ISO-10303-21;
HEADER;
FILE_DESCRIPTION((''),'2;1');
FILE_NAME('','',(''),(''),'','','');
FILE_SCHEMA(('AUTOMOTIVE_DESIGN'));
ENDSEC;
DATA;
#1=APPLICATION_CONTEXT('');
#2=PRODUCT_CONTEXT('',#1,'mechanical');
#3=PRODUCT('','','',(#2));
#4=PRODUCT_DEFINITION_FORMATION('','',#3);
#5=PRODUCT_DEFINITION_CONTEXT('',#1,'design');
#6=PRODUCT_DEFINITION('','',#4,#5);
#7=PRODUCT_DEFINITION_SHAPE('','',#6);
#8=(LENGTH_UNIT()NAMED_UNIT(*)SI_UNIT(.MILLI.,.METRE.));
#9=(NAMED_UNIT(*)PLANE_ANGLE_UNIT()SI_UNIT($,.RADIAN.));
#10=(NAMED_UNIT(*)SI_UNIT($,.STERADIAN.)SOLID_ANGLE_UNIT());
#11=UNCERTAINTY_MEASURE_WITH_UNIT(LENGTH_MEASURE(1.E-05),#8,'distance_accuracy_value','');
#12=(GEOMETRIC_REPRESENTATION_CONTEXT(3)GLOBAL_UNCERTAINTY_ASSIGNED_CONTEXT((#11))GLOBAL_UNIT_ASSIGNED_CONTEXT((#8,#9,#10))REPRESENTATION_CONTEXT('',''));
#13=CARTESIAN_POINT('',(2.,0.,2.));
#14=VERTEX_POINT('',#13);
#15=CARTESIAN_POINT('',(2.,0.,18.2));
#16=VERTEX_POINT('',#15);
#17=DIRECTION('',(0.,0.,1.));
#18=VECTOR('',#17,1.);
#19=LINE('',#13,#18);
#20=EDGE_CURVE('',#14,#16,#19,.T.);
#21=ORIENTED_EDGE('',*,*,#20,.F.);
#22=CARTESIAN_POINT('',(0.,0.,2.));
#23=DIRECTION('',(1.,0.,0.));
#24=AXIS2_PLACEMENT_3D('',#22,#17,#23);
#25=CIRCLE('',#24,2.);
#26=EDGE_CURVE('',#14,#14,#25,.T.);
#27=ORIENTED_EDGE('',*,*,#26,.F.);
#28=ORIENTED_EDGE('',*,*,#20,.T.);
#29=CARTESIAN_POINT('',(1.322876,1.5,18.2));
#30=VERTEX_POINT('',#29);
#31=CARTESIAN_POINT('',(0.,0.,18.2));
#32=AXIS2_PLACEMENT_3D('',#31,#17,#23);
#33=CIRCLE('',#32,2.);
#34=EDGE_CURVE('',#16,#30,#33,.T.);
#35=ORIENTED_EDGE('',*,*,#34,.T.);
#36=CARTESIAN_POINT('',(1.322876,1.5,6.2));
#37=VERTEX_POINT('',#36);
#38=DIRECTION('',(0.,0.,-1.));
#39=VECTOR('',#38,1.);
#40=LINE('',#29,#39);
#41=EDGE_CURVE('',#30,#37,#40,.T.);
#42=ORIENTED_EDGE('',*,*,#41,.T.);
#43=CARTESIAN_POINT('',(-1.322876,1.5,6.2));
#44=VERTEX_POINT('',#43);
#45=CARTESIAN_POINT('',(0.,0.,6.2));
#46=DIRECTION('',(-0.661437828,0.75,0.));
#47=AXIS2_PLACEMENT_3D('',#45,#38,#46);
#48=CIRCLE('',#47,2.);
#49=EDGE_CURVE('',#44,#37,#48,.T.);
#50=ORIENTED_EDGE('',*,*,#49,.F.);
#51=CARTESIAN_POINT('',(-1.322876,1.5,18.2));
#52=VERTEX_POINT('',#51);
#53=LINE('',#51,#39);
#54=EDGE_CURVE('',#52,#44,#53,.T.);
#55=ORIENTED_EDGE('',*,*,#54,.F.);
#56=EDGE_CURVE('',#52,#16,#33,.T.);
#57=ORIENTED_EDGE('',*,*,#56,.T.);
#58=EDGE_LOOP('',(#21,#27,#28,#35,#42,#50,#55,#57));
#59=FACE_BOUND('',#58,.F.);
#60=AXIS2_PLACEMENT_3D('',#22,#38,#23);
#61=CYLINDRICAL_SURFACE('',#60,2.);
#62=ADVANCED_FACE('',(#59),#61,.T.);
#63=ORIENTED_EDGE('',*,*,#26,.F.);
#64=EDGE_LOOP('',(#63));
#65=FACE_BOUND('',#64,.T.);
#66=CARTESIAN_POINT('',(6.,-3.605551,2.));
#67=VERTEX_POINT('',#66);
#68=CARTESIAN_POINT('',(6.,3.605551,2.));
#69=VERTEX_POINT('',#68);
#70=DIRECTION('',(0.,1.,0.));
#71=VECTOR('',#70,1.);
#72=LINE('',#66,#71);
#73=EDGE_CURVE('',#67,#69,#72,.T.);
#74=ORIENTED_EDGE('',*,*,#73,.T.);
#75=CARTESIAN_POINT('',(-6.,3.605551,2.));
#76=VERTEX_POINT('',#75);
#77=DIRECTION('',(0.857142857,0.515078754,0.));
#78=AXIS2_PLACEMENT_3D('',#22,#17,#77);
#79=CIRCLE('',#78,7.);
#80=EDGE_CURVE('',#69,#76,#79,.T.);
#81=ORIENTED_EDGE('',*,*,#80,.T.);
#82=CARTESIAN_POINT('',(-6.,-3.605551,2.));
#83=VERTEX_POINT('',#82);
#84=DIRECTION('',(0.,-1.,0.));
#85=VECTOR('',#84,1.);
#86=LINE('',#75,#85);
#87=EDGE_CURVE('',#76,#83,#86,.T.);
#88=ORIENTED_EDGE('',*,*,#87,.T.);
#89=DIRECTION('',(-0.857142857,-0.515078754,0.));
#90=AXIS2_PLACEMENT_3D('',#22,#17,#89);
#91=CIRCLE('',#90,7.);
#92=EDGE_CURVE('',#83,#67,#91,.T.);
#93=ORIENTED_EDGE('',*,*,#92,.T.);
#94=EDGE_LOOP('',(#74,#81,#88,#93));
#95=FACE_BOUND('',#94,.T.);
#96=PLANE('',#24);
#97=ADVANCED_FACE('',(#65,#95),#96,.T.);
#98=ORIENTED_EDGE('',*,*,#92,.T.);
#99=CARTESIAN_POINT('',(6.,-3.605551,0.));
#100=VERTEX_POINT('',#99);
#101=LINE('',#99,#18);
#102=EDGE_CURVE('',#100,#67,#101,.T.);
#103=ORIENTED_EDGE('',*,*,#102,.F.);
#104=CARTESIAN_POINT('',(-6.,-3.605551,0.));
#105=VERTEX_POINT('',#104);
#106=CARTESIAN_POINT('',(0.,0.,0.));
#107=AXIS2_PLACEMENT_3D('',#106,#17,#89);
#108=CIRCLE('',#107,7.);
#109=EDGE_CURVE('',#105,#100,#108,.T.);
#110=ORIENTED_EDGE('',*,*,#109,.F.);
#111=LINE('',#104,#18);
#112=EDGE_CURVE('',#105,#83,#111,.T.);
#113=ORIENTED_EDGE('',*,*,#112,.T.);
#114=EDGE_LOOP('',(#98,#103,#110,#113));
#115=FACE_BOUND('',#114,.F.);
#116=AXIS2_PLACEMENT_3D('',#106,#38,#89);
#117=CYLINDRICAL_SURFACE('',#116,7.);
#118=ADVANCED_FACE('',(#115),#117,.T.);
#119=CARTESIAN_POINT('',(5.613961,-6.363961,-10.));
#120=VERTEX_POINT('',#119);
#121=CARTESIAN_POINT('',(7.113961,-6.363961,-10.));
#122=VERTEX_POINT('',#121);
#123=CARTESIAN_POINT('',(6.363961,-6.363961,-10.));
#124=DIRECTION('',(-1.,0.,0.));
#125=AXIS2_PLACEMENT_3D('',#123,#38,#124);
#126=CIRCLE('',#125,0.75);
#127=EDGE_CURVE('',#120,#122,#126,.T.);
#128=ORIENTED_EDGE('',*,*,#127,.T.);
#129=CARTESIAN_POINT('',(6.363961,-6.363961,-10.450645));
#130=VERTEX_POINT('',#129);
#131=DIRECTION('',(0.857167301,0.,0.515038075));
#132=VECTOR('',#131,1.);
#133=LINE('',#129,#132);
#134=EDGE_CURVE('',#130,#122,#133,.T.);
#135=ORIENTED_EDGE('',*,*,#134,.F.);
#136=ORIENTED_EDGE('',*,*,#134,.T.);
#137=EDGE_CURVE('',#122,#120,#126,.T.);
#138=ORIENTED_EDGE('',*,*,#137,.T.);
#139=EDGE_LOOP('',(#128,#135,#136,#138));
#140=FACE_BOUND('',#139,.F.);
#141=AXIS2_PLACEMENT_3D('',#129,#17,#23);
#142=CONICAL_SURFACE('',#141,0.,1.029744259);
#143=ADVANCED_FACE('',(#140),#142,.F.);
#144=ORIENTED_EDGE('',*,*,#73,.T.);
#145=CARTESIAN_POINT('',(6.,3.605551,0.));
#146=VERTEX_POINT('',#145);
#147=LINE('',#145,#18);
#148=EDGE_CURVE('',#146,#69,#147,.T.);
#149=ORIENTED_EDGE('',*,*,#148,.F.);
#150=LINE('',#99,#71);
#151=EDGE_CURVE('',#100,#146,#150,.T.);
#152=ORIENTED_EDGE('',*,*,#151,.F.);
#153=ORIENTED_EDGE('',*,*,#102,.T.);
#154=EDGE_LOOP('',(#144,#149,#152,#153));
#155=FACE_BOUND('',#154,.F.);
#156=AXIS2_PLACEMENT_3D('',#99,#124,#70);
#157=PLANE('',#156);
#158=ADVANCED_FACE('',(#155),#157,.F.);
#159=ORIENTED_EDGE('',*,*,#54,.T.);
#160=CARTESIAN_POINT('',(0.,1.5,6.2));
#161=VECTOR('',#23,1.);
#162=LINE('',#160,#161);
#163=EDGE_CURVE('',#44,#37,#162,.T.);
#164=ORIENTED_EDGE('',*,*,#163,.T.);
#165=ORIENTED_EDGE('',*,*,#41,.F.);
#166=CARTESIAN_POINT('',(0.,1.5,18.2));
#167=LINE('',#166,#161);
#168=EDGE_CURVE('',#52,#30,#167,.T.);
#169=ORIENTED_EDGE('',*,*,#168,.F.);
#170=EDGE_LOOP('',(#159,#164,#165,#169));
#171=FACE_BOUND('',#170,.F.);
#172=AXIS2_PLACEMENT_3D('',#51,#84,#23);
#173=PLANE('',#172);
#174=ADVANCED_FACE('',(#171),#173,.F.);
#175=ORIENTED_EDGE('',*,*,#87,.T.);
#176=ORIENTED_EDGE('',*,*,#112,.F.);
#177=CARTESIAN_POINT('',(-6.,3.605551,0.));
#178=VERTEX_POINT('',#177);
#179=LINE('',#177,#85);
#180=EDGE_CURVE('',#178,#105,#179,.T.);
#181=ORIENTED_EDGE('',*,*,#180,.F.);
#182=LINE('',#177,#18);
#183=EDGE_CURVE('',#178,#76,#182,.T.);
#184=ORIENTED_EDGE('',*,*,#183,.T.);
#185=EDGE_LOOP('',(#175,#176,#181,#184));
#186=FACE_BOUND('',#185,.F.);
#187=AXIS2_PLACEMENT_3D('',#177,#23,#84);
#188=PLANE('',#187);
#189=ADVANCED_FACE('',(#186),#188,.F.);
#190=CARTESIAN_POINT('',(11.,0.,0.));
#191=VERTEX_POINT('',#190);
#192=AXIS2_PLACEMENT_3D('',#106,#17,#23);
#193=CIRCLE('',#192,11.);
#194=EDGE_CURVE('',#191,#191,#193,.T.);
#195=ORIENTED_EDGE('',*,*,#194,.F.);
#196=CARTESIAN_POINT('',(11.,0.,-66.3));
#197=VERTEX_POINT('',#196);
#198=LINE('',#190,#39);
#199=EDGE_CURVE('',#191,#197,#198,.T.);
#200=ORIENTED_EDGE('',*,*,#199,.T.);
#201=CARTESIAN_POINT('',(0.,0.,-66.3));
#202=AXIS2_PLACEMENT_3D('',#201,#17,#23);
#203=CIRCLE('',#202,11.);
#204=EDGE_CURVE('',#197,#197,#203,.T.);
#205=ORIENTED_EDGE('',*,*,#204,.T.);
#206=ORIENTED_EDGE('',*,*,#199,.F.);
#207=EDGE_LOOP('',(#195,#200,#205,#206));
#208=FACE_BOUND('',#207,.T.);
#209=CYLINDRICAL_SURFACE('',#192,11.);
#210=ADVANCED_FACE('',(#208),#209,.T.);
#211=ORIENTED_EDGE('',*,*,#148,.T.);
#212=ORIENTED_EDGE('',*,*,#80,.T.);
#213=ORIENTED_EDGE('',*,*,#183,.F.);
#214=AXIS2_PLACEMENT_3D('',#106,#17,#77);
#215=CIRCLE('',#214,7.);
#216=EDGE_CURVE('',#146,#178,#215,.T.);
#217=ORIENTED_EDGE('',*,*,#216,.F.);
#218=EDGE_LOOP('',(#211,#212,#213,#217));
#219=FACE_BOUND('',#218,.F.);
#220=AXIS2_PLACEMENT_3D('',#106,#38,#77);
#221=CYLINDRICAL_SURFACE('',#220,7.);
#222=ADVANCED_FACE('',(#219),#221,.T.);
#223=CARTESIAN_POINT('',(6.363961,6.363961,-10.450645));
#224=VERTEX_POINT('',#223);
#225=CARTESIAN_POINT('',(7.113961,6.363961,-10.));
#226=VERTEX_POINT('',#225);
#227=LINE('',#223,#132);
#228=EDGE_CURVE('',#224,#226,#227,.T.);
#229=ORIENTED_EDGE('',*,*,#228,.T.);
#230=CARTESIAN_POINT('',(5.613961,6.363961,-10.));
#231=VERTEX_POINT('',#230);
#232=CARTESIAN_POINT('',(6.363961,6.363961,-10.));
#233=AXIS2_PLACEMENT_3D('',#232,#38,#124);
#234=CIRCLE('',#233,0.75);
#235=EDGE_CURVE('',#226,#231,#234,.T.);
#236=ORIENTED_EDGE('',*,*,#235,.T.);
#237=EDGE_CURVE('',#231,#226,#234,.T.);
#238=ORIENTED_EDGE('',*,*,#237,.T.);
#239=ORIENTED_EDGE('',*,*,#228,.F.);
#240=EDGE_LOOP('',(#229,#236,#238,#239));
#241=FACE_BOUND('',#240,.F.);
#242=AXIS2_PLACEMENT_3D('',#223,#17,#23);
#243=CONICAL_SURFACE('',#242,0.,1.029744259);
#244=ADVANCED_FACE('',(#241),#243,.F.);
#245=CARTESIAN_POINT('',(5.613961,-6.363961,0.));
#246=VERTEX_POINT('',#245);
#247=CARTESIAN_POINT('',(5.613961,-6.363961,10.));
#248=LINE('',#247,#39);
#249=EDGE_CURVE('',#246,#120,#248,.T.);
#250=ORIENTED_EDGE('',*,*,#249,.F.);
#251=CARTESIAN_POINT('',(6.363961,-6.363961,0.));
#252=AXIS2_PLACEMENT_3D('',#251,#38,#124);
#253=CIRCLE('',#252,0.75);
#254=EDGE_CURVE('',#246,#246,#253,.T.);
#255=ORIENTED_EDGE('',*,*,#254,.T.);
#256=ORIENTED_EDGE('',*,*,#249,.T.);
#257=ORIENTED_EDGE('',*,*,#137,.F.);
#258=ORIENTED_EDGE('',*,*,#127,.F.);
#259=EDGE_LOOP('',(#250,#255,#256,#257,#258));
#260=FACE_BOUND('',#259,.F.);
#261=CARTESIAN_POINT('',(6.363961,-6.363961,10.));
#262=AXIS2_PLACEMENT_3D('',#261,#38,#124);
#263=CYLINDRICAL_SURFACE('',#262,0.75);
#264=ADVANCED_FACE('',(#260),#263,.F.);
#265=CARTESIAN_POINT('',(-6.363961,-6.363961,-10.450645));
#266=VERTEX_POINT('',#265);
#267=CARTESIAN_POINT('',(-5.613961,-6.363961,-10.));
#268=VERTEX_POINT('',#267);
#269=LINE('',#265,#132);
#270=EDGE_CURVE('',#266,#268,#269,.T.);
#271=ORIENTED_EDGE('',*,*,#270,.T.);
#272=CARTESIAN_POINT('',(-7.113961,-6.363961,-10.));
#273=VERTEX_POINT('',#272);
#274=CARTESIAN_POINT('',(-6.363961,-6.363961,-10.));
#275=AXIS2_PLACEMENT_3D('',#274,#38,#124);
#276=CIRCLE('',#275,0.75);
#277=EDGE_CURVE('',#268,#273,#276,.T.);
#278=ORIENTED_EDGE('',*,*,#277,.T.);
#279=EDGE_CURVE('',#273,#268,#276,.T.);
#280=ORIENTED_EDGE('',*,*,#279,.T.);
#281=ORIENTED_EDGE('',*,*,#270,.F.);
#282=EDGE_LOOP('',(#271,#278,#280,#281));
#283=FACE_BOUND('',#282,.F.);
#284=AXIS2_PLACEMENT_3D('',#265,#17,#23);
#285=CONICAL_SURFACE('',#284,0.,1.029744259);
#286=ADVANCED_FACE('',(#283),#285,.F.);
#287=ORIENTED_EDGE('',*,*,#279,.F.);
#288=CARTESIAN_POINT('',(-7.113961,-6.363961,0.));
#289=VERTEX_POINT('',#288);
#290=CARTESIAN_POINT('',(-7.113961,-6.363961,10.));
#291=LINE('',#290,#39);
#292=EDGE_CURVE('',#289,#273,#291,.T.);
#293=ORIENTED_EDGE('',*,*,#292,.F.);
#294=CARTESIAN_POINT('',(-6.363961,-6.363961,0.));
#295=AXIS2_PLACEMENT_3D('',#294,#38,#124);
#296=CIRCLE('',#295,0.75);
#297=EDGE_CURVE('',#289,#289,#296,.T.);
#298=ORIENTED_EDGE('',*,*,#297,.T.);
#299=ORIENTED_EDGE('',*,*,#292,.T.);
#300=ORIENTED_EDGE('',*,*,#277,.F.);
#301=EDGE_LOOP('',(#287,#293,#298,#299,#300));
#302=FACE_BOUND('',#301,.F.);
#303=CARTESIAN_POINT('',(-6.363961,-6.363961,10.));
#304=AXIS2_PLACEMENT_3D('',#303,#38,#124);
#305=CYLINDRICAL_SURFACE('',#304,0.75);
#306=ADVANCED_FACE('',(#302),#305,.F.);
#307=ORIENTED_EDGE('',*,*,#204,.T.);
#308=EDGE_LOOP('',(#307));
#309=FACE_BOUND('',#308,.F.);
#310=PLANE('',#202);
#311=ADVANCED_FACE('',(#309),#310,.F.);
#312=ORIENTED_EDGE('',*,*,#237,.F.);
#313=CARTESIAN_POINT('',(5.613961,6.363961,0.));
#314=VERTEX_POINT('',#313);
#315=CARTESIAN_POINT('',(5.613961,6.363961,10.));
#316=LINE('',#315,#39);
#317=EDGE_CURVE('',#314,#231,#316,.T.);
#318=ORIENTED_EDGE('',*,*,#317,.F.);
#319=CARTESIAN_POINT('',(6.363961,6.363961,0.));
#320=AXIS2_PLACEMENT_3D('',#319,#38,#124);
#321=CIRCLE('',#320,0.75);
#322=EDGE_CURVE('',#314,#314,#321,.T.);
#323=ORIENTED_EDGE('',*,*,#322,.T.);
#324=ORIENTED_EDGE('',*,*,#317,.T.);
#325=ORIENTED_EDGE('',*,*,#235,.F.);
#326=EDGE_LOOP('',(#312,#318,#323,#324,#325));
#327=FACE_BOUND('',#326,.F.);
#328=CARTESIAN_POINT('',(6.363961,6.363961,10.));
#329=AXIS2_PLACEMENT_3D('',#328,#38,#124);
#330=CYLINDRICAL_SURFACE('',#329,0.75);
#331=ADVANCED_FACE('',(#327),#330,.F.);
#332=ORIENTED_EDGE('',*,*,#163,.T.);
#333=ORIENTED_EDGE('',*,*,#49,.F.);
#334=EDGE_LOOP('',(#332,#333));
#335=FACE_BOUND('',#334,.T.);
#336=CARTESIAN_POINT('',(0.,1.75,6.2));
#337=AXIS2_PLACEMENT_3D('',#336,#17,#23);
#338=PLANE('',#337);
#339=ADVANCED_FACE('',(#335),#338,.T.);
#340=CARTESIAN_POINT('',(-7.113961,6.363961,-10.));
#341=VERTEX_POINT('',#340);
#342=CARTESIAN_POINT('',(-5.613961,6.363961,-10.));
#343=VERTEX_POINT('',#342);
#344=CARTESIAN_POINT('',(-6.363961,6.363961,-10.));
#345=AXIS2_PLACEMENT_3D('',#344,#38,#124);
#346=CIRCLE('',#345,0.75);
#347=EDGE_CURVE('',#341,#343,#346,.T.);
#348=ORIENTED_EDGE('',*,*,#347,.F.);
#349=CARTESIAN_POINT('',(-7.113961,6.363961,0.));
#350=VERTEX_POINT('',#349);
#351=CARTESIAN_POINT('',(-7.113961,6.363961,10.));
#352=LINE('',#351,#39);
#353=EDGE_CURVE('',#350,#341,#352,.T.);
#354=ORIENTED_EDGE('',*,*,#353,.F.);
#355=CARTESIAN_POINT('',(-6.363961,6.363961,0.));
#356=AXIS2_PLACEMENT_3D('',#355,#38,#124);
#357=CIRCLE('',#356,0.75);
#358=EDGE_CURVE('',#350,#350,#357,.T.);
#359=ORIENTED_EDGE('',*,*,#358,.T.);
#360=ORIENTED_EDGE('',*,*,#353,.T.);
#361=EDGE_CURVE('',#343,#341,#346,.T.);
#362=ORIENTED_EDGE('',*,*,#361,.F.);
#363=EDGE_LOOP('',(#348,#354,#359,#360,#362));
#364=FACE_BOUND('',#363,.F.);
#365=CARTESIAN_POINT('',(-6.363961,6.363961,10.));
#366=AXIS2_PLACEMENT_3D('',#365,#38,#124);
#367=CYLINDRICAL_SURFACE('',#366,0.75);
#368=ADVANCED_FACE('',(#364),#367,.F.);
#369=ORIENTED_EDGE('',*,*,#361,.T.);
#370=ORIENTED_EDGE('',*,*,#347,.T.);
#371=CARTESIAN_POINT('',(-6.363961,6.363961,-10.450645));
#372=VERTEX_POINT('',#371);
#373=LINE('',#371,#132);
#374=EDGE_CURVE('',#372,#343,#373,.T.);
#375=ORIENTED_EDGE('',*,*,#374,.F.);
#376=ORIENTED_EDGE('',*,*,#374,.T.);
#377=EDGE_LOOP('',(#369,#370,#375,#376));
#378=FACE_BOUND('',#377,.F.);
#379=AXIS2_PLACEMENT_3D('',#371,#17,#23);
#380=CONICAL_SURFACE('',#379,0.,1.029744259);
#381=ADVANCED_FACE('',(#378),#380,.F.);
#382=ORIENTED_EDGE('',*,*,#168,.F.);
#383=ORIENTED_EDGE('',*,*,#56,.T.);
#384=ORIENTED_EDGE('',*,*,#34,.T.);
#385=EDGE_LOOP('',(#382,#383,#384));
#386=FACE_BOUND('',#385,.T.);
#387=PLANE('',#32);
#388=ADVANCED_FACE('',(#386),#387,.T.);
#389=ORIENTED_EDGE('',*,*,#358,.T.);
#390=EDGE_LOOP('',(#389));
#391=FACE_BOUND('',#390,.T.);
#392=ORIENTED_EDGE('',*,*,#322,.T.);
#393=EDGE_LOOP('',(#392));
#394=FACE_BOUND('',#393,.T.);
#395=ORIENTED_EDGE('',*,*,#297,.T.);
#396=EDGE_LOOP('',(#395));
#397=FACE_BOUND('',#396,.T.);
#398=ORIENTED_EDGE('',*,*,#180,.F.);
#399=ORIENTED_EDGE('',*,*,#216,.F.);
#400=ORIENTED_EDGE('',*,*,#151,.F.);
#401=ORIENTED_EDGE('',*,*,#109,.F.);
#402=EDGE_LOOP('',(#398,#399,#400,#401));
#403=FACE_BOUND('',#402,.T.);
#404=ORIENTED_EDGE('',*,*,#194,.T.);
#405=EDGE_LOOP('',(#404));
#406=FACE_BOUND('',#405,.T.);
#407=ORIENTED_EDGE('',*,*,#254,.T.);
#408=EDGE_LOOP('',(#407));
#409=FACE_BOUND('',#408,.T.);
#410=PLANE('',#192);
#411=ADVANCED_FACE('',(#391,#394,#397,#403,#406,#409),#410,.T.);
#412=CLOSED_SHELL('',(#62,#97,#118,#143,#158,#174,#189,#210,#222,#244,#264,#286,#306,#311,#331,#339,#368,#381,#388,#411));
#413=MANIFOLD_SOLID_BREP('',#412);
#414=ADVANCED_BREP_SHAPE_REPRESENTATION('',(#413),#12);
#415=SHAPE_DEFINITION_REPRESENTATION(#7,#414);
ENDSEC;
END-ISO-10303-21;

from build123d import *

# Parameters (mm, degrees)
F0_R     = 11
F1_DEPTH = 66.3
F3_DEPTH = 2
F4_R     = 2
F5_DEPTH = 16.2
F6_W     = 2.6457513111
F6_H     = 0.5
F7_DEPTH = 12
F9_D     = 1.5
F9_DEPTH = 10
F9_TIP   = 0.4506454643


with BuildPart() as f1:
    # F0 (on Top) → F1 (new body)
    with BuildSketch(Plane.XY):
        Circle(F0_R)
    extrude(amount=-F1_DEPTH)

    # F2 (on face) → F3 (join)
    with BuildSketch(Plane.XY):
        with BuildLine():
            ThreePointArc((6, 3.6055512755), (0, 7), (-6, 3.6055512755))
            Line((-6, 3.6055512755), (-6, -3.6055512755))
            ThreePointArc((-6, -3.6055512755), (0, -7), (6, -3.6055512755))
            Line((6, -3.6055512755), (6, 3.6055512755))
        make_face()
    extrude(amount=F3_DEPTH)

    # F4 (on face) → F5 (join)
    with BuildSketch(Plane.XY.offset(2)):
        Circle(F4_R)
    extrude(amount=F5_DEPTH)

    # F6 (on face) → F7 (cut)
    with BuildSketch(Plane.XY.offset(18.2)):
        with Locations((0, 1.75)):
            Rectangle(F6_W, F6_H)
    extrude(amount=-F7_DEPTH, mode=Mode.SUBTRACT)

    # F9
    with Locations(Plane.XY):
        with Locations((-6.3639610307, 6.3639610307), (-6.3639610307, -6.3639610307), (6.3639610307, 6.3639610307), (6.3639610307, -6.3639610307)):
            Hole(F9_D / 2, depth=F9_DEPTH)
            with Locations((0, 0, -(F9_DEPTH + F9_TIP / 2))):  # 118° drill point
                Cone(0, F9_D / 2, F9_TIP, mode=Mode.SUBTRACT)


solid = f1.part
